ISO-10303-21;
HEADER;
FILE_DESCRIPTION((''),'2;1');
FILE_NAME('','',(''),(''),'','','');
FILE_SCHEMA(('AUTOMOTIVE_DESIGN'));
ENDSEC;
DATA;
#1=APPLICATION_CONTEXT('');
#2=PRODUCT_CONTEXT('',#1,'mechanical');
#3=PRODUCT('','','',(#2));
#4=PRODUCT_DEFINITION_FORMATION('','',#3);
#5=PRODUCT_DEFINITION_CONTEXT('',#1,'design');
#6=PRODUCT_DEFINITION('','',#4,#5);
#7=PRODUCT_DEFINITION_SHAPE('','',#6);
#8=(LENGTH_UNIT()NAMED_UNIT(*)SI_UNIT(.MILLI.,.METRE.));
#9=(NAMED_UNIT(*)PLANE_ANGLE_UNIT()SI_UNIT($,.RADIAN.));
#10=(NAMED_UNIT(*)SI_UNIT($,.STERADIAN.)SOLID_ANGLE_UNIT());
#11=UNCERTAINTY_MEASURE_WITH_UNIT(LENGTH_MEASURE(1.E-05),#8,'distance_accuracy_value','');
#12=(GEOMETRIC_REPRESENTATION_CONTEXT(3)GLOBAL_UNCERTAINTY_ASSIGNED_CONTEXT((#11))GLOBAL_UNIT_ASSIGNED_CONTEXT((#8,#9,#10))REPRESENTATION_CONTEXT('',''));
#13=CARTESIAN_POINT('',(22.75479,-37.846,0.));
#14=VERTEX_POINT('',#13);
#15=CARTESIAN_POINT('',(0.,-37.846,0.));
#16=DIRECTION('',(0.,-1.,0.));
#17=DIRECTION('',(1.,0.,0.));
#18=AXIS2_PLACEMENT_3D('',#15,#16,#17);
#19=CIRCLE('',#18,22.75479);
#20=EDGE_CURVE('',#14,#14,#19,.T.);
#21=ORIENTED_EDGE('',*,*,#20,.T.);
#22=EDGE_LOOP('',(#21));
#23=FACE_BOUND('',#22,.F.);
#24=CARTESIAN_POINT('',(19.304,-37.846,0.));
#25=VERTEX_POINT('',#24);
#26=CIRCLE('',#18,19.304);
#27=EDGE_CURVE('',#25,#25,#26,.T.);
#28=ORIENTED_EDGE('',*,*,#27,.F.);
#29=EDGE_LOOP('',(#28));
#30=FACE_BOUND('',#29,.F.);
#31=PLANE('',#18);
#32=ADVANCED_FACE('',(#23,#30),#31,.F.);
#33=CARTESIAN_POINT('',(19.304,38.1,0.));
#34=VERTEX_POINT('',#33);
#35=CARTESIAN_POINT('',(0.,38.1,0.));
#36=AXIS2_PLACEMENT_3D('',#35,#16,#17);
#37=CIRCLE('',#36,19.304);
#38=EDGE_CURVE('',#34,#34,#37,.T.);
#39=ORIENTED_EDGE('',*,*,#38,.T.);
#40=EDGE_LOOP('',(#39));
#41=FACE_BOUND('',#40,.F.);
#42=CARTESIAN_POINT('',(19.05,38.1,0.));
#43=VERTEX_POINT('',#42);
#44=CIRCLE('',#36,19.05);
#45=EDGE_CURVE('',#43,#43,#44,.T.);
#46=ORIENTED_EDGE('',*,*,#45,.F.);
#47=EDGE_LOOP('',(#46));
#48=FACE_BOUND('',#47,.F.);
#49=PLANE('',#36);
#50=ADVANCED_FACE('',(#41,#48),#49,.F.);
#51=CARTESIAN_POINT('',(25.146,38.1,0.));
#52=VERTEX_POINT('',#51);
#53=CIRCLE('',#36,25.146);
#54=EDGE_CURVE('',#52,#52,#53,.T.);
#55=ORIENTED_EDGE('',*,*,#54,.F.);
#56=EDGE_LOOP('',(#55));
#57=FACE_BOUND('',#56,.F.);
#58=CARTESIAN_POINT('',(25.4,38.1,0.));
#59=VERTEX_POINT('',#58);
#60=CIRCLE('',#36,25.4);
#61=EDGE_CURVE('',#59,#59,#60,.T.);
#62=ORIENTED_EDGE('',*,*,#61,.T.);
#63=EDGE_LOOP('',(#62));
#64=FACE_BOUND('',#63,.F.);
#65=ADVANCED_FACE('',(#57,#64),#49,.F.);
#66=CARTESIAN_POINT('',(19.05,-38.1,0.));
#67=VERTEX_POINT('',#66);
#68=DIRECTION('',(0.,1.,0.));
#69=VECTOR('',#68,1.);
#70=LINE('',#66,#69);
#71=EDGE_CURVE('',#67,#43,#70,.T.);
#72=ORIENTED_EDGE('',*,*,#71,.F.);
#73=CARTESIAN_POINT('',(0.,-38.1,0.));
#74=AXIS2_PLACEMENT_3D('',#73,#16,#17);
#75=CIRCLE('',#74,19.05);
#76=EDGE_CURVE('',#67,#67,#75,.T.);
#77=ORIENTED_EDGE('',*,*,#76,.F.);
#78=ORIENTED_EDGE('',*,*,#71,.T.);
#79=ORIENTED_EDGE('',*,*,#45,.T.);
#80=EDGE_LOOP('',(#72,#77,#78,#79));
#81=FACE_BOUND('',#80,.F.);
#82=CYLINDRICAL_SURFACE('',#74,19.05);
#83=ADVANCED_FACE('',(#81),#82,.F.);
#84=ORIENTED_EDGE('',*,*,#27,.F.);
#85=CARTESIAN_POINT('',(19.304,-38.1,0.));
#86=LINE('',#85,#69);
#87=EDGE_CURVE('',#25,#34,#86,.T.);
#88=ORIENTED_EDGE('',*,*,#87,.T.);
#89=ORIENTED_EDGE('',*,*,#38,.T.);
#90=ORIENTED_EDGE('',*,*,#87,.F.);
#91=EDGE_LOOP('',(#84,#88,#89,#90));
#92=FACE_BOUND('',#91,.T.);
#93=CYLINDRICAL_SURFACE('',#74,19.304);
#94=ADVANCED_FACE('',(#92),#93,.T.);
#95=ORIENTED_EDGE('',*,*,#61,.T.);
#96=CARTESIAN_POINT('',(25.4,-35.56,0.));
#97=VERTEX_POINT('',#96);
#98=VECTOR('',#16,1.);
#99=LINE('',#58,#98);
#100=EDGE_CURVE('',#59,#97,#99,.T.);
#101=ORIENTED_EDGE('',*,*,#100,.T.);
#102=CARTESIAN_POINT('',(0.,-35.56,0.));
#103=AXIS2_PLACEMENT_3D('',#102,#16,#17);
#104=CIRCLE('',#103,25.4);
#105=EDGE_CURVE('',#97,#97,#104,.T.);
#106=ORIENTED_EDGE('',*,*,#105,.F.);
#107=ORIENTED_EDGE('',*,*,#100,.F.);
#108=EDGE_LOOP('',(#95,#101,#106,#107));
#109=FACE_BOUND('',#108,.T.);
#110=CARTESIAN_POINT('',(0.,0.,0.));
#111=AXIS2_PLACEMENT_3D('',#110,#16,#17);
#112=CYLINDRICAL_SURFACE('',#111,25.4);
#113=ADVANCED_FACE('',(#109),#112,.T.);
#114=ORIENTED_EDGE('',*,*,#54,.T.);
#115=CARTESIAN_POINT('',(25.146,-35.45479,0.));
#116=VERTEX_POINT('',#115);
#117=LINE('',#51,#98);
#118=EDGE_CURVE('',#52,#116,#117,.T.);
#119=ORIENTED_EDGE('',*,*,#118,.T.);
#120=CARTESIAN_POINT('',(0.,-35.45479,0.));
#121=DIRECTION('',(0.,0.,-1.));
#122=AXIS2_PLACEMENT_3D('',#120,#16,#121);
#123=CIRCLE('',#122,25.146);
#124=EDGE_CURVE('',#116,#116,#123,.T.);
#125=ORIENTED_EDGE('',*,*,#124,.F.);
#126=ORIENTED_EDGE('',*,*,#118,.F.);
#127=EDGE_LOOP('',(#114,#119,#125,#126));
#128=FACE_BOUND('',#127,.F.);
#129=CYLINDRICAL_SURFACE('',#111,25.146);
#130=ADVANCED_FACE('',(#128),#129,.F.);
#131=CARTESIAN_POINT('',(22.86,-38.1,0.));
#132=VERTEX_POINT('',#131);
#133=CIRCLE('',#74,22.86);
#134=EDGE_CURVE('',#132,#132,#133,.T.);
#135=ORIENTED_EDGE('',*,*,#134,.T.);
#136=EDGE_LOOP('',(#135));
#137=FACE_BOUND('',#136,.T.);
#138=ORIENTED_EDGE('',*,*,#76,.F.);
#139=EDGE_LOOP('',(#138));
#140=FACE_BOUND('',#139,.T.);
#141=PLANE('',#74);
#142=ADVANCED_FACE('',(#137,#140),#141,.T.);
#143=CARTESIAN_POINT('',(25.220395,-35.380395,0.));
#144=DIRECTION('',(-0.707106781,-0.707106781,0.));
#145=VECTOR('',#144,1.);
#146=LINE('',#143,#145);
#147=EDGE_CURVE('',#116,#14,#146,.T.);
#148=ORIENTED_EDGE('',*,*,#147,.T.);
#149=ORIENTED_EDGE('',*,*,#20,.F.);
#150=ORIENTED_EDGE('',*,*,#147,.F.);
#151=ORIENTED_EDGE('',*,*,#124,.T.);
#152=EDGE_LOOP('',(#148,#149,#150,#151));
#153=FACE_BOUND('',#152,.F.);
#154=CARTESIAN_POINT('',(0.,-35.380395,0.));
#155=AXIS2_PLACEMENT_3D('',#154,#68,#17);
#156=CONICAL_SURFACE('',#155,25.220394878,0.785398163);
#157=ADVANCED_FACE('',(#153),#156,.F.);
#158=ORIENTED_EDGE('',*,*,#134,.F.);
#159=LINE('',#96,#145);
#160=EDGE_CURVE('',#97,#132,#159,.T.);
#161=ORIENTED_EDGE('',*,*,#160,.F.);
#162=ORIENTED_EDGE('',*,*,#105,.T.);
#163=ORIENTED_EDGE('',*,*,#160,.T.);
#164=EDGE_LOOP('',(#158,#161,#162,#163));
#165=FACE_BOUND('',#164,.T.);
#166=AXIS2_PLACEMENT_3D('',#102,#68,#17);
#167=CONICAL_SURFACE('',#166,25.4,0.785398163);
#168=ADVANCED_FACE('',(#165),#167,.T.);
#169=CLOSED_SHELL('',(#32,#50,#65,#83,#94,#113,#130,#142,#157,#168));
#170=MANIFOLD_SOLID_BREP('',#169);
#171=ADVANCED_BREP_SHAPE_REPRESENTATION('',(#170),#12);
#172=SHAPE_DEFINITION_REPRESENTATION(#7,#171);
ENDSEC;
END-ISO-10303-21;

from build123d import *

# Parameters (mm, degrees)
F0_R     = 25.4
F1_DEPTH = 38.1
F2_R     = 19.05
F3_DEPTH = 76.201
F4_SIZE  = 2.54
F5_T     = -0.254


with BuildPart() as f1:
    # F0 (on Front) → F1 (new body, symmetric)
    with BuildSketch(Plane.XZ):
        Circle(F0_R)
    extrude(amount=F1_DEPTH, both=True)

    # F2 (on face) → F3 (cut, through all)
    with BuildSketch(Plane.XZ.offset(38.1)):
        Circle(F2_R)
    extrude(amount=-F3_DEPTH, mode=Mode.SUBTRACT)

    # F4
    f4_edges = [f1.edges().sort_by_distance(p)[0] for p in [
        (-25.4, -38.1, 0),
    ]]
    chamfer(f4_edges, length=F4_SIZE)

    # F5
    f5_openings = [f1.faces().sort_by_distance(p)[0] for p in [
        (-24.68158, 38.1, 0),
    ]]
    offset(amount=F5_T, openings=f5_openings)


solid = f1.part
